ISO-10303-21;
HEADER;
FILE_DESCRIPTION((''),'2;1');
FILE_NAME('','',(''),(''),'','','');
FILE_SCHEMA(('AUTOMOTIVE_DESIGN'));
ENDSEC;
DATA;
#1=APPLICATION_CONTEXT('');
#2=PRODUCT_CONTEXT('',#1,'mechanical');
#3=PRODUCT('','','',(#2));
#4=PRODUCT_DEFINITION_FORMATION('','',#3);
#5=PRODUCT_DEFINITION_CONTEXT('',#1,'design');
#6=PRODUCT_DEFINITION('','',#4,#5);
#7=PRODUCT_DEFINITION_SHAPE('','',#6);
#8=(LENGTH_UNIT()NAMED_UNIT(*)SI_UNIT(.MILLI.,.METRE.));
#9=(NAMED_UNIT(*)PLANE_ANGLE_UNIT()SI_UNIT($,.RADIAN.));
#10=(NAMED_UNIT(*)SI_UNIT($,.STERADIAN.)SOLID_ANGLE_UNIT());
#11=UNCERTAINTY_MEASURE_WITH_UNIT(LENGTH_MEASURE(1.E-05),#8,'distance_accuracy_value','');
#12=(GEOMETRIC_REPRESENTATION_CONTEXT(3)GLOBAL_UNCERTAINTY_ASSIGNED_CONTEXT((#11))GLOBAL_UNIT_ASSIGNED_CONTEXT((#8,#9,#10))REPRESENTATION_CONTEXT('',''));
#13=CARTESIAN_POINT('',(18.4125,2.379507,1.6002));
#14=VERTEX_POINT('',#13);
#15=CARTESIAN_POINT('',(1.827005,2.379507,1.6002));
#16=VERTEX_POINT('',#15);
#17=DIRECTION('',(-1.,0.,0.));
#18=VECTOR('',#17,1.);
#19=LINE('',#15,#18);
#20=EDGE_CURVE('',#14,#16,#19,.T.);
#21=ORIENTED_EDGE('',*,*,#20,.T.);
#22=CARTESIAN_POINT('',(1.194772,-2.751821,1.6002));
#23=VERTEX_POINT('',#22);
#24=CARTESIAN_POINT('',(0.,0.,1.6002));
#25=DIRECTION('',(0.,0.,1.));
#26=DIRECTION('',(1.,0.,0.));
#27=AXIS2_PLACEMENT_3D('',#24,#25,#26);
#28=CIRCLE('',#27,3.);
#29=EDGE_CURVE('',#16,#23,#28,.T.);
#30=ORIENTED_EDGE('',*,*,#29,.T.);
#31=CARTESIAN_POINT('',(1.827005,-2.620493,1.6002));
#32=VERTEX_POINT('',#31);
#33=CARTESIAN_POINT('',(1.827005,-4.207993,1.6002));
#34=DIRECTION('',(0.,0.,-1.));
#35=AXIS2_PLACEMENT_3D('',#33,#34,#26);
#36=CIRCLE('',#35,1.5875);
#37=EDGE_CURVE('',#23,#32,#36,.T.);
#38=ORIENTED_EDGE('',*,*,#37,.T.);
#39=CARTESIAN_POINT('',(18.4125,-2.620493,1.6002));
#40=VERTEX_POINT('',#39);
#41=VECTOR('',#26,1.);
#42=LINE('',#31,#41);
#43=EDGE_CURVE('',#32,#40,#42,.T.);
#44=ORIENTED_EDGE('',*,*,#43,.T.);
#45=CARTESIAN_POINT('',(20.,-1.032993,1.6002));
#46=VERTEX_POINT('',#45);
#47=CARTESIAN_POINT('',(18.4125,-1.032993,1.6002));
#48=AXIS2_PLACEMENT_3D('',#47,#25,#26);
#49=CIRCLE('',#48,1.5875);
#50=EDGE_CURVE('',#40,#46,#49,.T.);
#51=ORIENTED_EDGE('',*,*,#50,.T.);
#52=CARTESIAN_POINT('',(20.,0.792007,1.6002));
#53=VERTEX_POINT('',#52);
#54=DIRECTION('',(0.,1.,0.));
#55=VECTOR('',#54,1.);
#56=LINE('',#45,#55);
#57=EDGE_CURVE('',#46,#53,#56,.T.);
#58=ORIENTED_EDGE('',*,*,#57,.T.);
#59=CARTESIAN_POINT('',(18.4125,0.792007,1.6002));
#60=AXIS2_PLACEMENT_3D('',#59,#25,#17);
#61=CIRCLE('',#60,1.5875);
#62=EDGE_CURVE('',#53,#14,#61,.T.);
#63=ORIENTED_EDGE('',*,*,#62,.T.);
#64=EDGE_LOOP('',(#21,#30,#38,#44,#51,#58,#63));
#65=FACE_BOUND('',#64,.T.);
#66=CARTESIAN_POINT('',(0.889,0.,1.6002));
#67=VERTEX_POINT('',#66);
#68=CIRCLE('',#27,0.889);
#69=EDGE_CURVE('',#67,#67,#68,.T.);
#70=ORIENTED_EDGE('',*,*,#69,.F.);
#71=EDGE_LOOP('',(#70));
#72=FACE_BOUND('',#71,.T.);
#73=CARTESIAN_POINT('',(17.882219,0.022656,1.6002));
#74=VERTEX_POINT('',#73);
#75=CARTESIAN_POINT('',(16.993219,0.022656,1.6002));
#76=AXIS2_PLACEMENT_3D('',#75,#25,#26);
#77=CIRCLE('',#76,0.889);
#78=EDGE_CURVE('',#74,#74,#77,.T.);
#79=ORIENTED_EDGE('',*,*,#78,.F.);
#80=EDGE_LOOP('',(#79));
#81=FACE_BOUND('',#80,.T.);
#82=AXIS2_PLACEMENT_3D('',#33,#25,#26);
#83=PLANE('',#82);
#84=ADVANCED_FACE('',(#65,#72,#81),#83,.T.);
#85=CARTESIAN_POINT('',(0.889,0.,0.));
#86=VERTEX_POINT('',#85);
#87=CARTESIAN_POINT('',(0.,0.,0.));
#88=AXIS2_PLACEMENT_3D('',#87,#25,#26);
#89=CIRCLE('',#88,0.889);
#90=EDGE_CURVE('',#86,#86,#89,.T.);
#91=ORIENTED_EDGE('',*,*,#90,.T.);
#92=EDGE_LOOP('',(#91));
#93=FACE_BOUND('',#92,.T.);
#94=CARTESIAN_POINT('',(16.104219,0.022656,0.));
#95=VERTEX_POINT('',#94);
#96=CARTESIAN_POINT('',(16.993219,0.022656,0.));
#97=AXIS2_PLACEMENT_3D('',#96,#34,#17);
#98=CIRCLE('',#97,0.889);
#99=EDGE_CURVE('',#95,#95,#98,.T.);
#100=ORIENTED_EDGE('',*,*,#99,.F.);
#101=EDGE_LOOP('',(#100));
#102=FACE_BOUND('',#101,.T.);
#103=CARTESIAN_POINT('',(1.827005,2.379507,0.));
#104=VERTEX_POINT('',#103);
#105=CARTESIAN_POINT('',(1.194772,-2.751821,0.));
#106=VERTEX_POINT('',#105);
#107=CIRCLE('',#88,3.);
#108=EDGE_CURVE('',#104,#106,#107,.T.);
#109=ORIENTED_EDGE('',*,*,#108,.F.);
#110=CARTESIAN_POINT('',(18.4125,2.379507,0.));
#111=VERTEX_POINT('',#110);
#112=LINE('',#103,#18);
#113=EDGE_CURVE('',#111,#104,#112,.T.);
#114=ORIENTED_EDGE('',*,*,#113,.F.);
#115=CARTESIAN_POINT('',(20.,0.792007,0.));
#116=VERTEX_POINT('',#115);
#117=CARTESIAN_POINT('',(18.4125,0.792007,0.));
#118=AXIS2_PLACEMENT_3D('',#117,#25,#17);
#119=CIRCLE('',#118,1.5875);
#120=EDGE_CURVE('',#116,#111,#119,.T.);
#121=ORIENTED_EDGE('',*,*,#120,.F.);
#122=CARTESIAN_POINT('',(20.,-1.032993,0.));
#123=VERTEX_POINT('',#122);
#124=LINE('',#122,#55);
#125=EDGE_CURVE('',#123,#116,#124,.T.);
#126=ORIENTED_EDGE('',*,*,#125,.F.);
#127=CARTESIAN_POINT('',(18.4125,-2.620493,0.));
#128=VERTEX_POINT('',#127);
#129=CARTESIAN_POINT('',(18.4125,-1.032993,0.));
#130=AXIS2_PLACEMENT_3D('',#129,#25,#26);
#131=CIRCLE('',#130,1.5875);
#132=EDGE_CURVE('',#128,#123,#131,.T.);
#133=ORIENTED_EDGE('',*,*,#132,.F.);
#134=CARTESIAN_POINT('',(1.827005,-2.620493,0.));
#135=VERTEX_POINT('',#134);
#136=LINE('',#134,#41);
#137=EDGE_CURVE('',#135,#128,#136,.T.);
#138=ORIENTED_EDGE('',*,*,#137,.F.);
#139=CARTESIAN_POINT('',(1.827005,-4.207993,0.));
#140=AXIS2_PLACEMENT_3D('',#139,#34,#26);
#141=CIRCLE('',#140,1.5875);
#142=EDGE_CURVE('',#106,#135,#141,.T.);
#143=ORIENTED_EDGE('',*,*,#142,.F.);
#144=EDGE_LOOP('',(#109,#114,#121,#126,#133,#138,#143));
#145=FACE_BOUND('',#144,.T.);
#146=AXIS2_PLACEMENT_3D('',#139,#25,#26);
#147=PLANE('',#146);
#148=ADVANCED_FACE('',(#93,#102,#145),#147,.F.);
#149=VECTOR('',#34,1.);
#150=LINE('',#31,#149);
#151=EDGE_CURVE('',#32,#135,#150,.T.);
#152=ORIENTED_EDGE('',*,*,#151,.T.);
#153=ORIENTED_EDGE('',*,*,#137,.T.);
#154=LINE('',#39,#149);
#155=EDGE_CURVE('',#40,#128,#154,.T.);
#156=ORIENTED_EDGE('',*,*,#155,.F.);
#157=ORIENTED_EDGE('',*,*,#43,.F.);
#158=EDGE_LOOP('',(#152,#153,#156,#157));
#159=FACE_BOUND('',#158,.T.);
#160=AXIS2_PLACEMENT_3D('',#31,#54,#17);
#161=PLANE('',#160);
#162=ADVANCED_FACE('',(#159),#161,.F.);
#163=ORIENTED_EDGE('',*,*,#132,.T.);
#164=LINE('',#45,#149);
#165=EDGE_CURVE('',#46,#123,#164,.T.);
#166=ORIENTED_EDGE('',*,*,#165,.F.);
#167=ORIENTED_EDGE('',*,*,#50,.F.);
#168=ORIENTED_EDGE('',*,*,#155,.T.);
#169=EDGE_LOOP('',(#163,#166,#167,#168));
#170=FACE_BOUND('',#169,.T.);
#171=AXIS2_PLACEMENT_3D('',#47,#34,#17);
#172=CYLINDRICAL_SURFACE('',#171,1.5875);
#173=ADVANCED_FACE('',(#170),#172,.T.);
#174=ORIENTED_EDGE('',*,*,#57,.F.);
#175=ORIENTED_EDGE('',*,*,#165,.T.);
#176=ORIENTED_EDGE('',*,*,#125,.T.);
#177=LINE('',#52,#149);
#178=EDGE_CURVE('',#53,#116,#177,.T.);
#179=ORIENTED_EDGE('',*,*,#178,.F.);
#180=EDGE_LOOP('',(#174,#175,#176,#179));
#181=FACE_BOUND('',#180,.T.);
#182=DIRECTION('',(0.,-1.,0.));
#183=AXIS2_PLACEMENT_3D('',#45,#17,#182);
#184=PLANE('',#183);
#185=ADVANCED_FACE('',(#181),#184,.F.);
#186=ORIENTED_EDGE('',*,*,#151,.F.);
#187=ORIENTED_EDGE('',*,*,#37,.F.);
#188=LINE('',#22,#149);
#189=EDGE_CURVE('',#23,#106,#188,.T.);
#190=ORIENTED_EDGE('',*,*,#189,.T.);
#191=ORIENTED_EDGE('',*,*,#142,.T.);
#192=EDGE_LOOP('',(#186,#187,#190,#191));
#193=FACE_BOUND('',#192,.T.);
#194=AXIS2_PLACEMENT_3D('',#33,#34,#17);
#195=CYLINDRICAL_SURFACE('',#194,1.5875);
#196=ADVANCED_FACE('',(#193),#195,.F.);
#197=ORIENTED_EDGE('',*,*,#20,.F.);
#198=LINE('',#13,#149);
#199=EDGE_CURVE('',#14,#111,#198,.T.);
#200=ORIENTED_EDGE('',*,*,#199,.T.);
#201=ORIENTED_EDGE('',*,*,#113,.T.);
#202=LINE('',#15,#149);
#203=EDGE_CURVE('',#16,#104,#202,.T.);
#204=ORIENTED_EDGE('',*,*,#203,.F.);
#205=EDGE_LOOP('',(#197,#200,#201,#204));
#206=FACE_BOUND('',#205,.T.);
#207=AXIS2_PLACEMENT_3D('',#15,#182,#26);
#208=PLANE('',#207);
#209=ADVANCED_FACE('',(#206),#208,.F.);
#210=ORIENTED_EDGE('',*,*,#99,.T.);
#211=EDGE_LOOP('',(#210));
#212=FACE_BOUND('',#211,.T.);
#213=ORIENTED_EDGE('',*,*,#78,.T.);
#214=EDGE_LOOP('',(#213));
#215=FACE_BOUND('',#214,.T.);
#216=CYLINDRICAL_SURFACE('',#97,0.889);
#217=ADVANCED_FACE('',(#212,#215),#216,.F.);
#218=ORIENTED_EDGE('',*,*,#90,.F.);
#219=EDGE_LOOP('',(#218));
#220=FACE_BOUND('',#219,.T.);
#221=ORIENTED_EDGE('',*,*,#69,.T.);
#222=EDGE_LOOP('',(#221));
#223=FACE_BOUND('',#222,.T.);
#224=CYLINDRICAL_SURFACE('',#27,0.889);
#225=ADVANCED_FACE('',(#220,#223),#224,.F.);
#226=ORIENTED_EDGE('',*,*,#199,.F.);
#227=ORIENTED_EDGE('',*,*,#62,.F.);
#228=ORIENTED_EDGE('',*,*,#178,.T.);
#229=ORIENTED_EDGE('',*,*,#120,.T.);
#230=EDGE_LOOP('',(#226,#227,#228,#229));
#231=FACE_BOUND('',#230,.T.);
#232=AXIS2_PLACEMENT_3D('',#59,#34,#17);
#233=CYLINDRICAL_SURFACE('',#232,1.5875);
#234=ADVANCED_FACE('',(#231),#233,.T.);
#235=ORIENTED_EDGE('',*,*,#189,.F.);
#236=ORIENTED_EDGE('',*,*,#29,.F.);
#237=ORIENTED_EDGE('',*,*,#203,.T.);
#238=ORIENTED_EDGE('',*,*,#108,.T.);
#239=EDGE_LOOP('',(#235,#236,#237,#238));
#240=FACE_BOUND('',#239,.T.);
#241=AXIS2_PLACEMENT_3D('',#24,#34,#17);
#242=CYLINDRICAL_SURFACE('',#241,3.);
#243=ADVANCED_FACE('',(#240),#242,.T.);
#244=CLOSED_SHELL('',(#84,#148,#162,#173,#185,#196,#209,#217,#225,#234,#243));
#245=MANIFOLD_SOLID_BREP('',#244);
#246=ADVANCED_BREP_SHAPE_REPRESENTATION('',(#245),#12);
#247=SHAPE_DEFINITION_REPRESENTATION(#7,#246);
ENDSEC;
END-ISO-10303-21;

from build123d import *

# Parameters (mm, degrees)
BOSS_EXTRUDE1_DEPTH       = 1.6002
F_0_CLEARANCE_HOLE1_D     = 1.778
F_0_CLEARANCE_HOLE1_DEPTH = 465
F_0_CLEARANCE_HOLE1_TIP   = 0.53416509
F_0_CLEARANCE_HOLE2_D     = 1.778
F_0_CLEARANCE_HOLE2_DEPTH = 465
F_0_CLEARANCE_HOLE2_TIP   = 0.53416509


with BuildPart() as part:
    # Sketch1 → Boss-Extrude1 (new body)
    with BuildSketch(Plane.XY):
        with BuildLine():
            Line((1.827005239, -2.620493359), (18.4125, -2.620493359))
            ThreePointArc((18.4125, -2.620493359), (19.535032015, -2.155525374), (20, -1.032993359))
            Line((20, -1.032993359), (20, 0.792006641))
            ThreePointArc((20, 0.792006641), (19.535032015, 1.914538656), (18.4125, 2.379506641))
            Line((18.4125, 2.379506641), (1.827005239, 2.379506641))
            ThreePointArc((1.827005239, 2.379506641), (-2.977484791, 0.366857357), (1.194771818, -2.75182127))
            ThreePointArc((1.194771818, -2.75182127), (1.504140671, -2.653672053), (1.827005239, -2.620493359))
        make_face()
    extrude(amount=BOSS_EXTRUDE1_DEPTH)

    # #0 Clearance Hole1
    with Locations(Plane.XY.offset(1.6002)):
        with Locations((0, 0)):
            Hole(F_0_CLEARANCE_HOLE1_D / 2, depth=F_0_CLEARANCE_HOLE1_DEPTH)
            with Locations((0, 0, -(F_0_CLEARANCE_HOLE1_DEPTH + F_0_CLEARANCE_HOLE1_TIP / 2))):  # 118° drill point
                Cone(0, F_0_CLEARANCE_HOLE1_D / 2, F_0_CLEARANCE_HOLE1_TIP, mode=Mode.SUBTRACT)

    # #0 Clearance Hole2
    with Locations(Plane(origin=(0, 0, 0), x_dir=(-1, 0, 0), z_dir=(0, 0, -1))):
        with Locations((-16.993218834, 0.022656086)):
            Hole(F_0_CLEARANCE_HOLE2_D / 2, depth=F_0_CLEARANCE_HOLE2_DEPTH)
            with Locations((0, 0, -(F_0_CLEARANCE_HOLE2_DEPTH + F_0_CLEARANCE_HOLE2_TIP / 2))):  # 118° drill point
                Cone(0, F_0_CLEARANCE_HOLE2_D / 2, F_0_CLEARANCE_HOLE2_TIP, mode=Mode.SUBTRACT)


solid = part.part
